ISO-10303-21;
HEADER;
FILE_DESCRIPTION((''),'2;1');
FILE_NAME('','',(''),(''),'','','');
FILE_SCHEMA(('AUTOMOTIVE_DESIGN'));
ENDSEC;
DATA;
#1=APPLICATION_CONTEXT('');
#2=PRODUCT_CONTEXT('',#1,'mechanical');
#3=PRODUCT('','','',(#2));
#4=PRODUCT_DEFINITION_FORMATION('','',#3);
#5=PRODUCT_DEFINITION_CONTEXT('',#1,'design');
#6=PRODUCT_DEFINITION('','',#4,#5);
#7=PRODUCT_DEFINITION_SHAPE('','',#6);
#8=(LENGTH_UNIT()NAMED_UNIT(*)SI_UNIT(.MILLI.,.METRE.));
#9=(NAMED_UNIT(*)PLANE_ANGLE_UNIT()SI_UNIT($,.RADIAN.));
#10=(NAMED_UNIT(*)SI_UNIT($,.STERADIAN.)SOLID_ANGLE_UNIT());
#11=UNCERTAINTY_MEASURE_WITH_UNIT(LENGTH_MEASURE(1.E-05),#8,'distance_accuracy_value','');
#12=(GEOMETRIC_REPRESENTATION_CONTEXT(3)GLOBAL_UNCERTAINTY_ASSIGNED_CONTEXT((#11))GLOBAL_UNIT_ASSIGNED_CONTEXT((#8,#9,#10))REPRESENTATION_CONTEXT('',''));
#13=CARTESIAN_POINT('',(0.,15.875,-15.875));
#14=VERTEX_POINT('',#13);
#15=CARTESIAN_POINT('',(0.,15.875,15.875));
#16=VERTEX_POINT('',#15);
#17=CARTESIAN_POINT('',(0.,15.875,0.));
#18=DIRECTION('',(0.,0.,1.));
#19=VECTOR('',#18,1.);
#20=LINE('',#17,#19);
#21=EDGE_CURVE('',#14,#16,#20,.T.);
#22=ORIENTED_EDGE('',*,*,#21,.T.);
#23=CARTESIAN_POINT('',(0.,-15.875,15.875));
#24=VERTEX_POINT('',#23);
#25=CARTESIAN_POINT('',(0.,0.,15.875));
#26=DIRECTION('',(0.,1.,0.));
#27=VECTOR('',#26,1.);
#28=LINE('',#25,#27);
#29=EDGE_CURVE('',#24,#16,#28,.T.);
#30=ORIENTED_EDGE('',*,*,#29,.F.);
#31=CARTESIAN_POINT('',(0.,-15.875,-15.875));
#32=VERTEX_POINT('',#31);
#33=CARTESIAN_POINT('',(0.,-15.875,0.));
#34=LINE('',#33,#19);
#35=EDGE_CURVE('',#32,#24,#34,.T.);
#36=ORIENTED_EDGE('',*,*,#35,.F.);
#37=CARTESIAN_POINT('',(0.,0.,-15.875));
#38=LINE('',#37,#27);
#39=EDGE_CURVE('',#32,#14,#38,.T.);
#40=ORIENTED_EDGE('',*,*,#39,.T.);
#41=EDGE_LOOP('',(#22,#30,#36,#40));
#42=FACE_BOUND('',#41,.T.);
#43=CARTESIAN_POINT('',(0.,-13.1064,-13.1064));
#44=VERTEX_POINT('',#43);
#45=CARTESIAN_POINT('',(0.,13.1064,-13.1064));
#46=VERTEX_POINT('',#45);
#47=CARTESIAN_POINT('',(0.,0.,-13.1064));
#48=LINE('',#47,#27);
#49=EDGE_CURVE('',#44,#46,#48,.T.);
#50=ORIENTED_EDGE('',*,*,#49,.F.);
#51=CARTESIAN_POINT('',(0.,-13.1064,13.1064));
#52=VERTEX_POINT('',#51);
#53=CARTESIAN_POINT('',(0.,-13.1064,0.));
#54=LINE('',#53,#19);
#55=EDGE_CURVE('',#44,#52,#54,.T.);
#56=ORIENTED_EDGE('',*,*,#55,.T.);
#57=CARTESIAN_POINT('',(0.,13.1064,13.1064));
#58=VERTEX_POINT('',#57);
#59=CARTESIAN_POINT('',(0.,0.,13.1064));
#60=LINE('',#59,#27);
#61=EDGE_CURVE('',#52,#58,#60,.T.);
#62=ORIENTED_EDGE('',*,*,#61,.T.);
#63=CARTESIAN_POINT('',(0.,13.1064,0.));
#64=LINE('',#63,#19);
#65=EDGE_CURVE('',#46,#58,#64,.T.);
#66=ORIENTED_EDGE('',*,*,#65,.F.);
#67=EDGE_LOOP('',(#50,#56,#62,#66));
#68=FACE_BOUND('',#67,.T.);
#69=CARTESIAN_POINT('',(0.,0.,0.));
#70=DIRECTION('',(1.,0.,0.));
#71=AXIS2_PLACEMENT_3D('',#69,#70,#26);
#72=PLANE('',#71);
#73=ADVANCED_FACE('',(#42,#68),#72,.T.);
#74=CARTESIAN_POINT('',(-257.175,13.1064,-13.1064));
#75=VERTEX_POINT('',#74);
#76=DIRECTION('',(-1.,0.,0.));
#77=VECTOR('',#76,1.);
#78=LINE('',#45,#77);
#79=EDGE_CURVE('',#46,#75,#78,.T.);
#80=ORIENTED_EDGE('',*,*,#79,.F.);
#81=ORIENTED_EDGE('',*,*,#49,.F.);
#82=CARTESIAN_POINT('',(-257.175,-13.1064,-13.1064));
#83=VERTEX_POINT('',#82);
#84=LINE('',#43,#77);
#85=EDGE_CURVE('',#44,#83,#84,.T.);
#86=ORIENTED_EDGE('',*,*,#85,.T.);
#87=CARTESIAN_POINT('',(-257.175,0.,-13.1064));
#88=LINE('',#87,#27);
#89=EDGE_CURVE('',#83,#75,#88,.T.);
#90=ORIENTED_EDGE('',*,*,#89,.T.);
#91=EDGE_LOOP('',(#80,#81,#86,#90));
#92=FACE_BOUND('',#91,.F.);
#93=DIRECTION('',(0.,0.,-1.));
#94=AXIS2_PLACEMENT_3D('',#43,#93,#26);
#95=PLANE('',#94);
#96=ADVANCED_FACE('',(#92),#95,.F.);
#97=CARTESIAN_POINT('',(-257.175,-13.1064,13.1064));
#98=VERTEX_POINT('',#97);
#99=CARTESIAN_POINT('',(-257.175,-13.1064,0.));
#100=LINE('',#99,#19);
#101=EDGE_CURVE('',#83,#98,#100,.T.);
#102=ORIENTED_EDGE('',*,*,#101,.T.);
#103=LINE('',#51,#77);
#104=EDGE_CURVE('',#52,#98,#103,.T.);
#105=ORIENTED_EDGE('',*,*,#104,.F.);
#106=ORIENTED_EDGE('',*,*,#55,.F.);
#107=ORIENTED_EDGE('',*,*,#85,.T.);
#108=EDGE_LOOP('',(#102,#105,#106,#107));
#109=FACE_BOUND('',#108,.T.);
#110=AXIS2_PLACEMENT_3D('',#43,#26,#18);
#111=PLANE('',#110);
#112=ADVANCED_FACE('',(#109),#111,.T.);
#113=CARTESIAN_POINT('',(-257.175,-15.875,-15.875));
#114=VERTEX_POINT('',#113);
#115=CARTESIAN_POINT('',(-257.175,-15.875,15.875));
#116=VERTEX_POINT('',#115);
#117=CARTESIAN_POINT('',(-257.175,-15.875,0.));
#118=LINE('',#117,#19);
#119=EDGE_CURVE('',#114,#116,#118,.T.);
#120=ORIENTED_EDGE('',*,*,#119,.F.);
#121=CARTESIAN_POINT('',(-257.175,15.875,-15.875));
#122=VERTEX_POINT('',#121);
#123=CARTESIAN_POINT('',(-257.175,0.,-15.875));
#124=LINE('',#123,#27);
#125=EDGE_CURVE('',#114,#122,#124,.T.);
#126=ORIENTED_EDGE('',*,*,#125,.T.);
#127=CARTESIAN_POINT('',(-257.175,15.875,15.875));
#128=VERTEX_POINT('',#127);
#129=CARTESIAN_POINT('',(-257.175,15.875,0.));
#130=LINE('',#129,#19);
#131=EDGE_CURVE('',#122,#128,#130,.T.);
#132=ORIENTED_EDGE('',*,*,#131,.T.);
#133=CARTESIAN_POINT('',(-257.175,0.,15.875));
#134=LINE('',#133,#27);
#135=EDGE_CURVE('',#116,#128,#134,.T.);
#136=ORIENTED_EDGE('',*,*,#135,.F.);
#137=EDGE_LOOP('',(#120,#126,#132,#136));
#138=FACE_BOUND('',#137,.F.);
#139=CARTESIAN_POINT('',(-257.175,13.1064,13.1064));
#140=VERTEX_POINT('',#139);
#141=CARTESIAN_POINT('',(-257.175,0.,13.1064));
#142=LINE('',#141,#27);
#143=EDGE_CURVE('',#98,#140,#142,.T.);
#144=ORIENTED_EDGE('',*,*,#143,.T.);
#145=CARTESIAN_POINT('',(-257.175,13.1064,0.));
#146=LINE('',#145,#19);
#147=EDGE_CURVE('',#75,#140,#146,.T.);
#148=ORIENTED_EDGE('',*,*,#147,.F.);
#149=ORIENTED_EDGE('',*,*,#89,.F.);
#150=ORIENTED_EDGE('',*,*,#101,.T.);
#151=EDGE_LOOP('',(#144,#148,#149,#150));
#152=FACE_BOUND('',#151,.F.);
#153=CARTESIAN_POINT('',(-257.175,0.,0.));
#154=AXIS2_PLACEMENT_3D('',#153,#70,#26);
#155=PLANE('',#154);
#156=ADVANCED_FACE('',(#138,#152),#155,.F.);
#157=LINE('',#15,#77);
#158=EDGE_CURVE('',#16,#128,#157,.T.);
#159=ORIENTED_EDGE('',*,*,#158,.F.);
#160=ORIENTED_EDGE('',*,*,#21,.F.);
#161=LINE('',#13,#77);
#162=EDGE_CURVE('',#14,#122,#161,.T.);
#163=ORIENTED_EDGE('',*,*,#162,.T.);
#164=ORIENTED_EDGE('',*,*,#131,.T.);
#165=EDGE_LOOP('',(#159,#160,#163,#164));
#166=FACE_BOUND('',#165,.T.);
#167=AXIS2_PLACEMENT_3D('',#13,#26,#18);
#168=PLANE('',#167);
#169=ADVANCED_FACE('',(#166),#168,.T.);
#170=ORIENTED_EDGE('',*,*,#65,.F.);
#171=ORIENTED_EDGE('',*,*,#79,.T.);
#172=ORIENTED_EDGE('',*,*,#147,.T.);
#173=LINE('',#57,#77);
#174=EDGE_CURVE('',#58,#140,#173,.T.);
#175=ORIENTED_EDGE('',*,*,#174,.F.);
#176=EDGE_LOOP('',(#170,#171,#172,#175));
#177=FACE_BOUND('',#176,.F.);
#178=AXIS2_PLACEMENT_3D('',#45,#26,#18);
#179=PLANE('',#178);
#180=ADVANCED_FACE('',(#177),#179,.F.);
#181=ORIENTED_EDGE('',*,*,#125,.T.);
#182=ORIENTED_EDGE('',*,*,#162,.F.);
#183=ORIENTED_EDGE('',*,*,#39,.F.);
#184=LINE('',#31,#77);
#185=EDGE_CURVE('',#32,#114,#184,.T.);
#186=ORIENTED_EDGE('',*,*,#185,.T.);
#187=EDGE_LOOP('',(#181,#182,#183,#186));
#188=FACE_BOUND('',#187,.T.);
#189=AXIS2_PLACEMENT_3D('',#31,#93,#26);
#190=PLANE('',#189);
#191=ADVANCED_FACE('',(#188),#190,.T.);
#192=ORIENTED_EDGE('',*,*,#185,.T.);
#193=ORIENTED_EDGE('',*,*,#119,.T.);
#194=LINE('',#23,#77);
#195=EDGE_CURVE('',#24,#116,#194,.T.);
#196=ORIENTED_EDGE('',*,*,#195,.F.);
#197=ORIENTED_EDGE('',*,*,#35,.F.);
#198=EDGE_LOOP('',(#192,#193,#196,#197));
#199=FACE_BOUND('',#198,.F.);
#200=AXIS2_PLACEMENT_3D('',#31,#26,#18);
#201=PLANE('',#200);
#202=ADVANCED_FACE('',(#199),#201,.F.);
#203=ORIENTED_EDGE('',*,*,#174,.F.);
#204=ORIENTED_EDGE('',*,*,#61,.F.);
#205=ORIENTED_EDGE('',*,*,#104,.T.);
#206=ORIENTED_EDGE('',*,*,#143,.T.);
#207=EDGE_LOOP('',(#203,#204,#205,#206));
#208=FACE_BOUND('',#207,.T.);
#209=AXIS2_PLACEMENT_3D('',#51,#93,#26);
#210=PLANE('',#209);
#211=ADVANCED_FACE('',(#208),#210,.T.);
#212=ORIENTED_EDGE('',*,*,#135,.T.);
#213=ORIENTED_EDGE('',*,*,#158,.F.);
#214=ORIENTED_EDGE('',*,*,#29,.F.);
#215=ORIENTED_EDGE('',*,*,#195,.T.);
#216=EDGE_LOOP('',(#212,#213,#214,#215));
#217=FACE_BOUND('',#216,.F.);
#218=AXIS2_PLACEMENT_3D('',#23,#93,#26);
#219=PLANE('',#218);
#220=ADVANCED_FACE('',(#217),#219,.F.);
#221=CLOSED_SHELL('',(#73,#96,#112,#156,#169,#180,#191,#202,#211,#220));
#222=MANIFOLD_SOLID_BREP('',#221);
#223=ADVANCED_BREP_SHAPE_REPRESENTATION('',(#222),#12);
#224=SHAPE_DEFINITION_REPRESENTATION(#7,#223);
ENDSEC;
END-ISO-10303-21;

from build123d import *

# Parameters (mm, degrees)
SKETCH_W   = 31.75
SKETCH_H   = 31.75
SKETCH_W_2 = 26.2128
SKETCH_H_2 = 26.2128
PAD_DEPTH  = 257.175


with BuildPart() as part:
    # Sketch → Pad (new body)
    with BuildSketch(Plane.YZ):
        Rectangle(SKETCH_W, SKETCH_H)
        Rectangle(SKETCH_W_2, SKETCH_H_2, mode=Mode.SUBTRACT)
    extrude(amount=-PAD_DEPTH)


solid = part.part
